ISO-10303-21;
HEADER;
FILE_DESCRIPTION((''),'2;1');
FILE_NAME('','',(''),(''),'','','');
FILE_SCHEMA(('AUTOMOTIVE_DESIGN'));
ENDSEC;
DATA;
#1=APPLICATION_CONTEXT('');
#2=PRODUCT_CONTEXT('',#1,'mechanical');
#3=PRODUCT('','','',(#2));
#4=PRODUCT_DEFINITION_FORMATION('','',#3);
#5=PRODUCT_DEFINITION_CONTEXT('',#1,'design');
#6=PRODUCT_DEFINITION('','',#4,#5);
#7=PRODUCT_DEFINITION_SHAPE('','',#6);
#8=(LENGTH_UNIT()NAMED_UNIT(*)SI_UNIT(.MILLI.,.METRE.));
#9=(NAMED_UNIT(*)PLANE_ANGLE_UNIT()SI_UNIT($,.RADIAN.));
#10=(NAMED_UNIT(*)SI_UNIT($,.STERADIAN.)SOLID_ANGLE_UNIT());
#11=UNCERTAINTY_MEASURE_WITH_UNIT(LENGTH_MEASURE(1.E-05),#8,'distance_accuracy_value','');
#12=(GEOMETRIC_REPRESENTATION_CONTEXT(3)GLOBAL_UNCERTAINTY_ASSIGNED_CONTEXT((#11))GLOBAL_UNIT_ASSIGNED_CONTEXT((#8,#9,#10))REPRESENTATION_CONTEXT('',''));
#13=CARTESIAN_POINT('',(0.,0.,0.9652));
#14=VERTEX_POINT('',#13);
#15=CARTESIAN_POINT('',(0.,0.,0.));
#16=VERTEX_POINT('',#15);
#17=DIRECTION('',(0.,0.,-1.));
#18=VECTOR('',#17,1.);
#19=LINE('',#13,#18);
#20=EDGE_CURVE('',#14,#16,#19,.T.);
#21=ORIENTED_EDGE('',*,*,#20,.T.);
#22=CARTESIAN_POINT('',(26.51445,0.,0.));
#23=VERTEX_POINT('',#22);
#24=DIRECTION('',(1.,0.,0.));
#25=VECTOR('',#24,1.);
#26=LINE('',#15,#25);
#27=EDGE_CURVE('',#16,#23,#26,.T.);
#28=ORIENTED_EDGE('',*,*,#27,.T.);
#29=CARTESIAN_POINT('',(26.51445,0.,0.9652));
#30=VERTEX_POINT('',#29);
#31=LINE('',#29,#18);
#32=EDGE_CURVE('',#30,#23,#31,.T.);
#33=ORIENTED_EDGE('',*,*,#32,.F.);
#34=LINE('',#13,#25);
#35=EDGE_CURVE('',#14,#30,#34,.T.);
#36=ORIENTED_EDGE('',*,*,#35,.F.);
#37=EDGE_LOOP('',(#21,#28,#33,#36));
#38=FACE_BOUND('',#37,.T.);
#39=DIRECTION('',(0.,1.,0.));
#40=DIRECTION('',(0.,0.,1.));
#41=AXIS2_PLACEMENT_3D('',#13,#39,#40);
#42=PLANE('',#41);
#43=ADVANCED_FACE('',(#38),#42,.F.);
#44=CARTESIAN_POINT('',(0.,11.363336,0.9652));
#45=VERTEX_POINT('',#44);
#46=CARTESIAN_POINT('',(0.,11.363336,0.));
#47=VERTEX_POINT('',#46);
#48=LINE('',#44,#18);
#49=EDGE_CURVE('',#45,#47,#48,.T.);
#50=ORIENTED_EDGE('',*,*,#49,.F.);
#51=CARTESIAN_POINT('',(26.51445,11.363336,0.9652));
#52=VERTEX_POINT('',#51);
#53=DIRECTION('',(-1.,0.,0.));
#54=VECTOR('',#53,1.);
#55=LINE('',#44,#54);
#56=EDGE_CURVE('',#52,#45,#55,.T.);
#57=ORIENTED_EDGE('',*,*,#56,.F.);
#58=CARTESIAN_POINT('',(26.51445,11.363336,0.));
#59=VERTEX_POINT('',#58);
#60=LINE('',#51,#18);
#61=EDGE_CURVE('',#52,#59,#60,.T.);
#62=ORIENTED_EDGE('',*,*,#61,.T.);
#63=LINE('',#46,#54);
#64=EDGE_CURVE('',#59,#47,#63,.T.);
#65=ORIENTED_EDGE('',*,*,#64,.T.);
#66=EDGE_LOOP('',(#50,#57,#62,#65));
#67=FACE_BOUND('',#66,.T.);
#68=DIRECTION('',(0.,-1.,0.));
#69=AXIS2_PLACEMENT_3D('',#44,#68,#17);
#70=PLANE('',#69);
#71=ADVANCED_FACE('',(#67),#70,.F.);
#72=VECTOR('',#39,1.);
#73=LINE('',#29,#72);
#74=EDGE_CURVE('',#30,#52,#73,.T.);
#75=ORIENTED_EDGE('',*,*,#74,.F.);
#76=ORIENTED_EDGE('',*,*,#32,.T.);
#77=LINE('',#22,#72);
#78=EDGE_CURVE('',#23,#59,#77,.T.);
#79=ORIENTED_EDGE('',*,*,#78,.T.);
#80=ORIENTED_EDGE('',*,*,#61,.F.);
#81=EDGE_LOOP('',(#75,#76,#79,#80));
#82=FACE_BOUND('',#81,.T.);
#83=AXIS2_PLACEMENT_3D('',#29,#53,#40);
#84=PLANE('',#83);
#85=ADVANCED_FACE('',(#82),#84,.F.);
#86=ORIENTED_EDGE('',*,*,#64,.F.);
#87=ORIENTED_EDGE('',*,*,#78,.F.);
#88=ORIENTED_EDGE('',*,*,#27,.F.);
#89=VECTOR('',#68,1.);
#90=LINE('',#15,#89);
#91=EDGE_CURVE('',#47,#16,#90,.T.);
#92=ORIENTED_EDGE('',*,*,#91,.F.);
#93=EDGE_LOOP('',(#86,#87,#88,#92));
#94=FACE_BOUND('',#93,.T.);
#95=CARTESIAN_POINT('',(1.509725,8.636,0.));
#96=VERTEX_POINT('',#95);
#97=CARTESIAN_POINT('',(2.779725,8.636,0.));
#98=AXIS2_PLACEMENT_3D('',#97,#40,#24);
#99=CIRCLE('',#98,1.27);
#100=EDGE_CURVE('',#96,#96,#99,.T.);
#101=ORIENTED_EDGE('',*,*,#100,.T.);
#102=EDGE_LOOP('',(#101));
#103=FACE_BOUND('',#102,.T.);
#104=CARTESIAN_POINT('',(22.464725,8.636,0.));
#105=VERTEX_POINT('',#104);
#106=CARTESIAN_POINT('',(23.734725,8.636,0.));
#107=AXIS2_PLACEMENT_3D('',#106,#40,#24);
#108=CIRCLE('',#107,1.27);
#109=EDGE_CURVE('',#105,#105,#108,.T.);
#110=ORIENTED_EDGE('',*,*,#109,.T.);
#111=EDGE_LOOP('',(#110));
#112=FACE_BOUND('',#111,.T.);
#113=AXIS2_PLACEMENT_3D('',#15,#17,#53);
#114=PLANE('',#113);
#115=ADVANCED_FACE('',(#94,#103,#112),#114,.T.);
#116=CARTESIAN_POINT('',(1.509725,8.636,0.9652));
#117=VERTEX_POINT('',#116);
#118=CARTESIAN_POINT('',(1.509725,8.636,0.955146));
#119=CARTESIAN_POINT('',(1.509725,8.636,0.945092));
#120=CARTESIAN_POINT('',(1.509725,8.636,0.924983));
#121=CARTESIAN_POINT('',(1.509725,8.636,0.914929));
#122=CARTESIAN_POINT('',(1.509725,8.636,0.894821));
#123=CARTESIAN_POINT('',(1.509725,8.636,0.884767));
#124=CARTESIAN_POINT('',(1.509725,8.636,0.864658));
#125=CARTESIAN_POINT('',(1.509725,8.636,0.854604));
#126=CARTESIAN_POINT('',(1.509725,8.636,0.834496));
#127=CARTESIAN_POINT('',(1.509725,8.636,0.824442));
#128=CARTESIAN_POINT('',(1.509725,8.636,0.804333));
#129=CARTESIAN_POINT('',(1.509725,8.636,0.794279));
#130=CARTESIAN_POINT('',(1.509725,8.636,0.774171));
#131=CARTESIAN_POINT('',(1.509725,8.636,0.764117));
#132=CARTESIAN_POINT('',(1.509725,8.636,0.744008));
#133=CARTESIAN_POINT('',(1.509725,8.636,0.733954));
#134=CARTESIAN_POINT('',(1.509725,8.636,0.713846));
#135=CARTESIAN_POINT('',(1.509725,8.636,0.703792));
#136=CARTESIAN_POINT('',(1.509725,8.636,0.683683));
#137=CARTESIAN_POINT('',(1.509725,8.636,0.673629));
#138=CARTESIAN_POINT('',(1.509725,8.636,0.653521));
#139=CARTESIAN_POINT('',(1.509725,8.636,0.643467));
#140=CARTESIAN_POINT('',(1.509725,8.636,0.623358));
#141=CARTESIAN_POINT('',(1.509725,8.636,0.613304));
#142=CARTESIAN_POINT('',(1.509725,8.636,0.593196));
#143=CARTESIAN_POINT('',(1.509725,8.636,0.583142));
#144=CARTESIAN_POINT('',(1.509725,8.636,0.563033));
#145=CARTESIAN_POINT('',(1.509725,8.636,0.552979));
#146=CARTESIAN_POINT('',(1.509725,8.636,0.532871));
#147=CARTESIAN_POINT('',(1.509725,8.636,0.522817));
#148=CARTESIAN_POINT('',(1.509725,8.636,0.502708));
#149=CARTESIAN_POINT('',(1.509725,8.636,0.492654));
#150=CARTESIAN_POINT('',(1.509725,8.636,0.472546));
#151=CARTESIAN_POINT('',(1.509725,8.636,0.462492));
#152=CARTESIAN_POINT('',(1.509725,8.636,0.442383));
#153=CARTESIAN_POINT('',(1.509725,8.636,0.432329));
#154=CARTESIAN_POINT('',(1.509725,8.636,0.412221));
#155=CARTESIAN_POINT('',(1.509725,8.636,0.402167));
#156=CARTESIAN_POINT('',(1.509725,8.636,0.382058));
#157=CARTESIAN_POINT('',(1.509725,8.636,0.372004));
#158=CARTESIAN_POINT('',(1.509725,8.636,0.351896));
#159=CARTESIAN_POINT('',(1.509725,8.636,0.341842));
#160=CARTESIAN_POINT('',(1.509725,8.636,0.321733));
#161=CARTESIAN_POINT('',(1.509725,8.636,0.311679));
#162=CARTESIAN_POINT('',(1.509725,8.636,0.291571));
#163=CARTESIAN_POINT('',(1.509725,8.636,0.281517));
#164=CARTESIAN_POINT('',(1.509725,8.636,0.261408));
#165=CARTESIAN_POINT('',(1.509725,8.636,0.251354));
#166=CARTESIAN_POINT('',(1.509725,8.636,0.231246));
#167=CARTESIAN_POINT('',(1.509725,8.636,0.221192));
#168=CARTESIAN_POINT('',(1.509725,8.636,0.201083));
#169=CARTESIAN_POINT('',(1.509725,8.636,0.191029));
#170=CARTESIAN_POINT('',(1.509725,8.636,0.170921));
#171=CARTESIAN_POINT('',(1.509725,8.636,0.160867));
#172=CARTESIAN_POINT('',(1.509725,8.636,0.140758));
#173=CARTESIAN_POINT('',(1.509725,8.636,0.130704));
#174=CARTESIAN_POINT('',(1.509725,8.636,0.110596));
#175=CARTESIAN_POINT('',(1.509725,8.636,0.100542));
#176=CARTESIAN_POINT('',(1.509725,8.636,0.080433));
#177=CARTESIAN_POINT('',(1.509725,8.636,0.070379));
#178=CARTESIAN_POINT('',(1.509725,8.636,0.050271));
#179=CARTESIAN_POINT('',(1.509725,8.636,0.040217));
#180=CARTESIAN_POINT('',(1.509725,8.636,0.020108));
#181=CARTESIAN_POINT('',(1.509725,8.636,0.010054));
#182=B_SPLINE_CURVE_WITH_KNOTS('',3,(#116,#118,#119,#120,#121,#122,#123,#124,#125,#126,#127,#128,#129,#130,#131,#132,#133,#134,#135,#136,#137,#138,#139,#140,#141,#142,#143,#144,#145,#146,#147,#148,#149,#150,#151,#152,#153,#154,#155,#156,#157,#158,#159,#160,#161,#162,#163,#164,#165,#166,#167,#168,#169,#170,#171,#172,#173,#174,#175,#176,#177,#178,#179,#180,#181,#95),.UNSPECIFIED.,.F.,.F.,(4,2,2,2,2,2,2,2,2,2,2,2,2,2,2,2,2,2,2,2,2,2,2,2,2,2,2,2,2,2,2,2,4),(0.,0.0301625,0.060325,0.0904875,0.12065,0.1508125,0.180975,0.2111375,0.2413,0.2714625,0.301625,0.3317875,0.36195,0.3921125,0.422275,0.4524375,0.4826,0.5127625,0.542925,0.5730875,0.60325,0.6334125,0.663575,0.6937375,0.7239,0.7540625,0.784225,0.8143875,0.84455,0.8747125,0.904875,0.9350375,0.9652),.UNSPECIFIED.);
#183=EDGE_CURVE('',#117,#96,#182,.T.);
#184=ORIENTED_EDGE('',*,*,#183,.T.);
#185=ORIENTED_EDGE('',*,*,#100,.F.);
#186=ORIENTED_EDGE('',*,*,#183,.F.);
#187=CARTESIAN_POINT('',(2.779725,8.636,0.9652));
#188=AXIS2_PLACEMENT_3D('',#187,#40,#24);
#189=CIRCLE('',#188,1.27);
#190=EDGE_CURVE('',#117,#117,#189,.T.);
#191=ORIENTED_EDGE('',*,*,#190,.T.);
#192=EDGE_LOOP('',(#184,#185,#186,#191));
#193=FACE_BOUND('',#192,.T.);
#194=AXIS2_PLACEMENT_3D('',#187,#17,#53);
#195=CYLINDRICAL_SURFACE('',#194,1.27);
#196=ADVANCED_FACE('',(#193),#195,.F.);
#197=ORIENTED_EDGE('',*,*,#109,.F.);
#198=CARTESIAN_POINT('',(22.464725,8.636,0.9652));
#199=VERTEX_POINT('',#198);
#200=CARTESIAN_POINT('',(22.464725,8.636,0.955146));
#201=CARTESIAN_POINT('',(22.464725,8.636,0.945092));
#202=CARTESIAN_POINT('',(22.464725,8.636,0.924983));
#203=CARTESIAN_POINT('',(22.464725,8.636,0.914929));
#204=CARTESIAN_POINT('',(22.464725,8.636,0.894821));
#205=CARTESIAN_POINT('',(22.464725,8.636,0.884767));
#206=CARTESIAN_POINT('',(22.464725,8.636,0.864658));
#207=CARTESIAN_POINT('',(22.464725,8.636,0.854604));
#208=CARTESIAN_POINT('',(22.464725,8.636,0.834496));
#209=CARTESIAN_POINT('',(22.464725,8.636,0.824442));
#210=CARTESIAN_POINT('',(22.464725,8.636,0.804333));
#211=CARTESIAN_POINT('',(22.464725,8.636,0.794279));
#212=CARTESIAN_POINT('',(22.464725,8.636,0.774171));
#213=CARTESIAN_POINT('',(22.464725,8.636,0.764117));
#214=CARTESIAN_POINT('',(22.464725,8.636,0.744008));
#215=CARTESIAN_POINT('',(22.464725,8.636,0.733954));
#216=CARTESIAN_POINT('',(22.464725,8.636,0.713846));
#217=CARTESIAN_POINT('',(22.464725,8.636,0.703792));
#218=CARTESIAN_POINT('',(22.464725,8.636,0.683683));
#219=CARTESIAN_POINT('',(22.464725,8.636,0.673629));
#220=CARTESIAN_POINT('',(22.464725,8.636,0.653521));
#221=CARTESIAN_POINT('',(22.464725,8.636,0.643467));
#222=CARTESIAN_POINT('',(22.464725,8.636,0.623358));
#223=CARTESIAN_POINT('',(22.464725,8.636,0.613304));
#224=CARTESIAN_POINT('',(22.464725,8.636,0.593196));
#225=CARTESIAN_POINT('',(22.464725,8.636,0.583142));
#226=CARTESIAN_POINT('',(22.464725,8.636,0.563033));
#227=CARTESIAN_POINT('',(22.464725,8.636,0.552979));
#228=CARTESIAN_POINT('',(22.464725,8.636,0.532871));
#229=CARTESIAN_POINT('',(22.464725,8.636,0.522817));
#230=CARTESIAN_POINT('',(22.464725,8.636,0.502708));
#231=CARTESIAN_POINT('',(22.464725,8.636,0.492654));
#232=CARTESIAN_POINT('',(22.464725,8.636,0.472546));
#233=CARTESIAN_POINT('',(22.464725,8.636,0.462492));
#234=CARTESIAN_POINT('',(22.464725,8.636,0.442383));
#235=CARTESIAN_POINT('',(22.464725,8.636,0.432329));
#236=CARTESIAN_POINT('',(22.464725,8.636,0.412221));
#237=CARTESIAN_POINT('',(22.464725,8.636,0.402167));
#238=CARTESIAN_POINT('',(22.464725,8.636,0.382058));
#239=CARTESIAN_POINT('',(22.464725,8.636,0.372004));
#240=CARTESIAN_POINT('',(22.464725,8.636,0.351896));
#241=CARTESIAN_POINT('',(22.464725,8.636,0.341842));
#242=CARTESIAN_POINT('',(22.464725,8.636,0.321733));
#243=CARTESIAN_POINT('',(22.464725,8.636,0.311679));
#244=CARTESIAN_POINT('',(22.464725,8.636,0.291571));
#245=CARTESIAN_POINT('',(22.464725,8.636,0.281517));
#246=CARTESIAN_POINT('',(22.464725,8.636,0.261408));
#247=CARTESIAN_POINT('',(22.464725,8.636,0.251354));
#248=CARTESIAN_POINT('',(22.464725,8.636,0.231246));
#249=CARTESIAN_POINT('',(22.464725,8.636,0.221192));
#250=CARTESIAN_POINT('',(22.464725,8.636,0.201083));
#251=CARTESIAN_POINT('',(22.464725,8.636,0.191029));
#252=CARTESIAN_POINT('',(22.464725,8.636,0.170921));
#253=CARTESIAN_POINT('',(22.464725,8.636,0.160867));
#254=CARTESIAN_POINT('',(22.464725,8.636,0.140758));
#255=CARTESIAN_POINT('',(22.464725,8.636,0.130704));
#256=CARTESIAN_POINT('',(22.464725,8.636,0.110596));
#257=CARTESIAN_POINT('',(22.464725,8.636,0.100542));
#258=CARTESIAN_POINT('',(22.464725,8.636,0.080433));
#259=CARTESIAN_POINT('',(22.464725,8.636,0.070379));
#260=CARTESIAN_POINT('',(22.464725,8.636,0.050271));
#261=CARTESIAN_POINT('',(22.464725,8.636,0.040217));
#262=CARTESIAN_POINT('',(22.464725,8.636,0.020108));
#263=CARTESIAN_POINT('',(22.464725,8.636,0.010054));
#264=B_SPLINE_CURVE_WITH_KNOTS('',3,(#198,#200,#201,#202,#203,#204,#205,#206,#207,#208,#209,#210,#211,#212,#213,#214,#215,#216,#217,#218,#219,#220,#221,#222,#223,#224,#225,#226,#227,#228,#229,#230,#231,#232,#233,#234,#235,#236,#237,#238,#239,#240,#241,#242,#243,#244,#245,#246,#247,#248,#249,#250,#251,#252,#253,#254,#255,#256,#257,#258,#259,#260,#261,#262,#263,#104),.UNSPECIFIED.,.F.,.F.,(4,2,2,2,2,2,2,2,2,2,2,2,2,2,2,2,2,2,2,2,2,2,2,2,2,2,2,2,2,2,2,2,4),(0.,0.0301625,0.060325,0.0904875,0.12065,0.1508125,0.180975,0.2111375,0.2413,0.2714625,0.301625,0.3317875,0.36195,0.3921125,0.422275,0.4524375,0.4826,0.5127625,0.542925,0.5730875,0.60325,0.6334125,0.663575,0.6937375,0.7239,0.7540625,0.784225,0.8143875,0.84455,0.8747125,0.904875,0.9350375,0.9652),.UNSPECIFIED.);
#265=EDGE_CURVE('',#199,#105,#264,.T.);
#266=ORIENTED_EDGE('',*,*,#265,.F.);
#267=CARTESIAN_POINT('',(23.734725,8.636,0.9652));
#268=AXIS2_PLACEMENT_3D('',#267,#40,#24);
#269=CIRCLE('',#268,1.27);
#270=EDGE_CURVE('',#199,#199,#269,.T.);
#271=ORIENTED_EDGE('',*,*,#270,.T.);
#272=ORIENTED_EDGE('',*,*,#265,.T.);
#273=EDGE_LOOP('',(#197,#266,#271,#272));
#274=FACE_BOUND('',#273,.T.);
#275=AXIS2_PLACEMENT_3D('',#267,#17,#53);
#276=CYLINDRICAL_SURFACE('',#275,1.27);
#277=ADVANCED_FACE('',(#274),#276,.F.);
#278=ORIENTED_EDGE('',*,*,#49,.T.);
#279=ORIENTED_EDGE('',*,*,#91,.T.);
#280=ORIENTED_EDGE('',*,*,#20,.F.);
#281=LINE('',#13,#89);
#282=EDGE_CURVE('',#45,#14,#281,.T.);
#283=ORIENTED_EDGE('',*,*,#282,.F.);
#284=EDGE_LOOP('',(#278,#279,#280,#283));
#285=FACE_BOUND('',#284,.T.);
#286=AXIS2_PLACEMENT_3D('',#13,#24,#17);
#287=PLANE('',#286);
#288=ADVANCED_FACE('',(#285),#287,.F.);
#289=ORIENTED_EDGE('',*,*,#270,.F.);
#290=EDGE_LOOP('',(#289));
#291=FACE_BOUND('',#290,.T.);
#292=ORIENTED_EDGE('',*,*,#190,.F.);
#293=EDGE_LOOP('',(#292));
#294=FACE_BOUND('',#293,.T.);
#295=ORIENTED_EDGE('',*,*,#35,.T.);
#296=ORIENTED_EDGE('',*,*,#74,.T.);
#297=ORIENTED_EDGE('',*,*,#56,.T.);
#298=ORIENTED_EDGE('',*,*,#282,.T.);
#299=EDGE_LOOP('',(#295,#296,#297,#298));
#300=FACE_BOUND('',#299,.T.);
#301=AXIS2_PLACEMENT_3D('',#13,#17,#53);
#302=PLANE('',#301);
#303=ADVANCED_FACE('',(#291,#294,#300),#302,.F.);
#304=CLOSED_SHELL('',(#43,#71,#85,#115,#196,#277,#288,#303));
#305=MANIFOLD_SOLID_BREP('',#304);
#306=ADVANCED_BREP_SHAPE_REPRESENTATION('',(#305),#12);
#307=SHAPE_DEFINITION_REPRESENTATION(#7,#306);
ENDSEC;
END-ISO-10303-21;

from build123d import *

# Parameters (mm, degrees)
SKETCH1_W           = 26.514449565
SKETCH1_H           = 11.363335528
SKETCH1_R           = 1.27
BOSS_EXTRUDE1_DEPTH = 0.9652


with BuildPart() as part:
    # Sketch1 → Boss-Extrude1 (new body)
    with BuildSketch(Plane.XY):
        with Locations((13.257224783, 5.681667764)):
            Rectangle(SKETCH1_W, SKETCH1_H)
        with Locations(Location((2.779724783, 8.636, 0), (0, 0, 180))):
            Circle(SKETCH1_R, mode=Mode.SUBTRACT)
        with Locations(Location((23.734724783, 8.636, 0), (0, 0, 180))):
            Circle(SKETCH1_R, mode=Mode.SUBTRACT)
    extrude(amount=BOSS_EXTRUDE1_DEPTH)


solid = part.part
